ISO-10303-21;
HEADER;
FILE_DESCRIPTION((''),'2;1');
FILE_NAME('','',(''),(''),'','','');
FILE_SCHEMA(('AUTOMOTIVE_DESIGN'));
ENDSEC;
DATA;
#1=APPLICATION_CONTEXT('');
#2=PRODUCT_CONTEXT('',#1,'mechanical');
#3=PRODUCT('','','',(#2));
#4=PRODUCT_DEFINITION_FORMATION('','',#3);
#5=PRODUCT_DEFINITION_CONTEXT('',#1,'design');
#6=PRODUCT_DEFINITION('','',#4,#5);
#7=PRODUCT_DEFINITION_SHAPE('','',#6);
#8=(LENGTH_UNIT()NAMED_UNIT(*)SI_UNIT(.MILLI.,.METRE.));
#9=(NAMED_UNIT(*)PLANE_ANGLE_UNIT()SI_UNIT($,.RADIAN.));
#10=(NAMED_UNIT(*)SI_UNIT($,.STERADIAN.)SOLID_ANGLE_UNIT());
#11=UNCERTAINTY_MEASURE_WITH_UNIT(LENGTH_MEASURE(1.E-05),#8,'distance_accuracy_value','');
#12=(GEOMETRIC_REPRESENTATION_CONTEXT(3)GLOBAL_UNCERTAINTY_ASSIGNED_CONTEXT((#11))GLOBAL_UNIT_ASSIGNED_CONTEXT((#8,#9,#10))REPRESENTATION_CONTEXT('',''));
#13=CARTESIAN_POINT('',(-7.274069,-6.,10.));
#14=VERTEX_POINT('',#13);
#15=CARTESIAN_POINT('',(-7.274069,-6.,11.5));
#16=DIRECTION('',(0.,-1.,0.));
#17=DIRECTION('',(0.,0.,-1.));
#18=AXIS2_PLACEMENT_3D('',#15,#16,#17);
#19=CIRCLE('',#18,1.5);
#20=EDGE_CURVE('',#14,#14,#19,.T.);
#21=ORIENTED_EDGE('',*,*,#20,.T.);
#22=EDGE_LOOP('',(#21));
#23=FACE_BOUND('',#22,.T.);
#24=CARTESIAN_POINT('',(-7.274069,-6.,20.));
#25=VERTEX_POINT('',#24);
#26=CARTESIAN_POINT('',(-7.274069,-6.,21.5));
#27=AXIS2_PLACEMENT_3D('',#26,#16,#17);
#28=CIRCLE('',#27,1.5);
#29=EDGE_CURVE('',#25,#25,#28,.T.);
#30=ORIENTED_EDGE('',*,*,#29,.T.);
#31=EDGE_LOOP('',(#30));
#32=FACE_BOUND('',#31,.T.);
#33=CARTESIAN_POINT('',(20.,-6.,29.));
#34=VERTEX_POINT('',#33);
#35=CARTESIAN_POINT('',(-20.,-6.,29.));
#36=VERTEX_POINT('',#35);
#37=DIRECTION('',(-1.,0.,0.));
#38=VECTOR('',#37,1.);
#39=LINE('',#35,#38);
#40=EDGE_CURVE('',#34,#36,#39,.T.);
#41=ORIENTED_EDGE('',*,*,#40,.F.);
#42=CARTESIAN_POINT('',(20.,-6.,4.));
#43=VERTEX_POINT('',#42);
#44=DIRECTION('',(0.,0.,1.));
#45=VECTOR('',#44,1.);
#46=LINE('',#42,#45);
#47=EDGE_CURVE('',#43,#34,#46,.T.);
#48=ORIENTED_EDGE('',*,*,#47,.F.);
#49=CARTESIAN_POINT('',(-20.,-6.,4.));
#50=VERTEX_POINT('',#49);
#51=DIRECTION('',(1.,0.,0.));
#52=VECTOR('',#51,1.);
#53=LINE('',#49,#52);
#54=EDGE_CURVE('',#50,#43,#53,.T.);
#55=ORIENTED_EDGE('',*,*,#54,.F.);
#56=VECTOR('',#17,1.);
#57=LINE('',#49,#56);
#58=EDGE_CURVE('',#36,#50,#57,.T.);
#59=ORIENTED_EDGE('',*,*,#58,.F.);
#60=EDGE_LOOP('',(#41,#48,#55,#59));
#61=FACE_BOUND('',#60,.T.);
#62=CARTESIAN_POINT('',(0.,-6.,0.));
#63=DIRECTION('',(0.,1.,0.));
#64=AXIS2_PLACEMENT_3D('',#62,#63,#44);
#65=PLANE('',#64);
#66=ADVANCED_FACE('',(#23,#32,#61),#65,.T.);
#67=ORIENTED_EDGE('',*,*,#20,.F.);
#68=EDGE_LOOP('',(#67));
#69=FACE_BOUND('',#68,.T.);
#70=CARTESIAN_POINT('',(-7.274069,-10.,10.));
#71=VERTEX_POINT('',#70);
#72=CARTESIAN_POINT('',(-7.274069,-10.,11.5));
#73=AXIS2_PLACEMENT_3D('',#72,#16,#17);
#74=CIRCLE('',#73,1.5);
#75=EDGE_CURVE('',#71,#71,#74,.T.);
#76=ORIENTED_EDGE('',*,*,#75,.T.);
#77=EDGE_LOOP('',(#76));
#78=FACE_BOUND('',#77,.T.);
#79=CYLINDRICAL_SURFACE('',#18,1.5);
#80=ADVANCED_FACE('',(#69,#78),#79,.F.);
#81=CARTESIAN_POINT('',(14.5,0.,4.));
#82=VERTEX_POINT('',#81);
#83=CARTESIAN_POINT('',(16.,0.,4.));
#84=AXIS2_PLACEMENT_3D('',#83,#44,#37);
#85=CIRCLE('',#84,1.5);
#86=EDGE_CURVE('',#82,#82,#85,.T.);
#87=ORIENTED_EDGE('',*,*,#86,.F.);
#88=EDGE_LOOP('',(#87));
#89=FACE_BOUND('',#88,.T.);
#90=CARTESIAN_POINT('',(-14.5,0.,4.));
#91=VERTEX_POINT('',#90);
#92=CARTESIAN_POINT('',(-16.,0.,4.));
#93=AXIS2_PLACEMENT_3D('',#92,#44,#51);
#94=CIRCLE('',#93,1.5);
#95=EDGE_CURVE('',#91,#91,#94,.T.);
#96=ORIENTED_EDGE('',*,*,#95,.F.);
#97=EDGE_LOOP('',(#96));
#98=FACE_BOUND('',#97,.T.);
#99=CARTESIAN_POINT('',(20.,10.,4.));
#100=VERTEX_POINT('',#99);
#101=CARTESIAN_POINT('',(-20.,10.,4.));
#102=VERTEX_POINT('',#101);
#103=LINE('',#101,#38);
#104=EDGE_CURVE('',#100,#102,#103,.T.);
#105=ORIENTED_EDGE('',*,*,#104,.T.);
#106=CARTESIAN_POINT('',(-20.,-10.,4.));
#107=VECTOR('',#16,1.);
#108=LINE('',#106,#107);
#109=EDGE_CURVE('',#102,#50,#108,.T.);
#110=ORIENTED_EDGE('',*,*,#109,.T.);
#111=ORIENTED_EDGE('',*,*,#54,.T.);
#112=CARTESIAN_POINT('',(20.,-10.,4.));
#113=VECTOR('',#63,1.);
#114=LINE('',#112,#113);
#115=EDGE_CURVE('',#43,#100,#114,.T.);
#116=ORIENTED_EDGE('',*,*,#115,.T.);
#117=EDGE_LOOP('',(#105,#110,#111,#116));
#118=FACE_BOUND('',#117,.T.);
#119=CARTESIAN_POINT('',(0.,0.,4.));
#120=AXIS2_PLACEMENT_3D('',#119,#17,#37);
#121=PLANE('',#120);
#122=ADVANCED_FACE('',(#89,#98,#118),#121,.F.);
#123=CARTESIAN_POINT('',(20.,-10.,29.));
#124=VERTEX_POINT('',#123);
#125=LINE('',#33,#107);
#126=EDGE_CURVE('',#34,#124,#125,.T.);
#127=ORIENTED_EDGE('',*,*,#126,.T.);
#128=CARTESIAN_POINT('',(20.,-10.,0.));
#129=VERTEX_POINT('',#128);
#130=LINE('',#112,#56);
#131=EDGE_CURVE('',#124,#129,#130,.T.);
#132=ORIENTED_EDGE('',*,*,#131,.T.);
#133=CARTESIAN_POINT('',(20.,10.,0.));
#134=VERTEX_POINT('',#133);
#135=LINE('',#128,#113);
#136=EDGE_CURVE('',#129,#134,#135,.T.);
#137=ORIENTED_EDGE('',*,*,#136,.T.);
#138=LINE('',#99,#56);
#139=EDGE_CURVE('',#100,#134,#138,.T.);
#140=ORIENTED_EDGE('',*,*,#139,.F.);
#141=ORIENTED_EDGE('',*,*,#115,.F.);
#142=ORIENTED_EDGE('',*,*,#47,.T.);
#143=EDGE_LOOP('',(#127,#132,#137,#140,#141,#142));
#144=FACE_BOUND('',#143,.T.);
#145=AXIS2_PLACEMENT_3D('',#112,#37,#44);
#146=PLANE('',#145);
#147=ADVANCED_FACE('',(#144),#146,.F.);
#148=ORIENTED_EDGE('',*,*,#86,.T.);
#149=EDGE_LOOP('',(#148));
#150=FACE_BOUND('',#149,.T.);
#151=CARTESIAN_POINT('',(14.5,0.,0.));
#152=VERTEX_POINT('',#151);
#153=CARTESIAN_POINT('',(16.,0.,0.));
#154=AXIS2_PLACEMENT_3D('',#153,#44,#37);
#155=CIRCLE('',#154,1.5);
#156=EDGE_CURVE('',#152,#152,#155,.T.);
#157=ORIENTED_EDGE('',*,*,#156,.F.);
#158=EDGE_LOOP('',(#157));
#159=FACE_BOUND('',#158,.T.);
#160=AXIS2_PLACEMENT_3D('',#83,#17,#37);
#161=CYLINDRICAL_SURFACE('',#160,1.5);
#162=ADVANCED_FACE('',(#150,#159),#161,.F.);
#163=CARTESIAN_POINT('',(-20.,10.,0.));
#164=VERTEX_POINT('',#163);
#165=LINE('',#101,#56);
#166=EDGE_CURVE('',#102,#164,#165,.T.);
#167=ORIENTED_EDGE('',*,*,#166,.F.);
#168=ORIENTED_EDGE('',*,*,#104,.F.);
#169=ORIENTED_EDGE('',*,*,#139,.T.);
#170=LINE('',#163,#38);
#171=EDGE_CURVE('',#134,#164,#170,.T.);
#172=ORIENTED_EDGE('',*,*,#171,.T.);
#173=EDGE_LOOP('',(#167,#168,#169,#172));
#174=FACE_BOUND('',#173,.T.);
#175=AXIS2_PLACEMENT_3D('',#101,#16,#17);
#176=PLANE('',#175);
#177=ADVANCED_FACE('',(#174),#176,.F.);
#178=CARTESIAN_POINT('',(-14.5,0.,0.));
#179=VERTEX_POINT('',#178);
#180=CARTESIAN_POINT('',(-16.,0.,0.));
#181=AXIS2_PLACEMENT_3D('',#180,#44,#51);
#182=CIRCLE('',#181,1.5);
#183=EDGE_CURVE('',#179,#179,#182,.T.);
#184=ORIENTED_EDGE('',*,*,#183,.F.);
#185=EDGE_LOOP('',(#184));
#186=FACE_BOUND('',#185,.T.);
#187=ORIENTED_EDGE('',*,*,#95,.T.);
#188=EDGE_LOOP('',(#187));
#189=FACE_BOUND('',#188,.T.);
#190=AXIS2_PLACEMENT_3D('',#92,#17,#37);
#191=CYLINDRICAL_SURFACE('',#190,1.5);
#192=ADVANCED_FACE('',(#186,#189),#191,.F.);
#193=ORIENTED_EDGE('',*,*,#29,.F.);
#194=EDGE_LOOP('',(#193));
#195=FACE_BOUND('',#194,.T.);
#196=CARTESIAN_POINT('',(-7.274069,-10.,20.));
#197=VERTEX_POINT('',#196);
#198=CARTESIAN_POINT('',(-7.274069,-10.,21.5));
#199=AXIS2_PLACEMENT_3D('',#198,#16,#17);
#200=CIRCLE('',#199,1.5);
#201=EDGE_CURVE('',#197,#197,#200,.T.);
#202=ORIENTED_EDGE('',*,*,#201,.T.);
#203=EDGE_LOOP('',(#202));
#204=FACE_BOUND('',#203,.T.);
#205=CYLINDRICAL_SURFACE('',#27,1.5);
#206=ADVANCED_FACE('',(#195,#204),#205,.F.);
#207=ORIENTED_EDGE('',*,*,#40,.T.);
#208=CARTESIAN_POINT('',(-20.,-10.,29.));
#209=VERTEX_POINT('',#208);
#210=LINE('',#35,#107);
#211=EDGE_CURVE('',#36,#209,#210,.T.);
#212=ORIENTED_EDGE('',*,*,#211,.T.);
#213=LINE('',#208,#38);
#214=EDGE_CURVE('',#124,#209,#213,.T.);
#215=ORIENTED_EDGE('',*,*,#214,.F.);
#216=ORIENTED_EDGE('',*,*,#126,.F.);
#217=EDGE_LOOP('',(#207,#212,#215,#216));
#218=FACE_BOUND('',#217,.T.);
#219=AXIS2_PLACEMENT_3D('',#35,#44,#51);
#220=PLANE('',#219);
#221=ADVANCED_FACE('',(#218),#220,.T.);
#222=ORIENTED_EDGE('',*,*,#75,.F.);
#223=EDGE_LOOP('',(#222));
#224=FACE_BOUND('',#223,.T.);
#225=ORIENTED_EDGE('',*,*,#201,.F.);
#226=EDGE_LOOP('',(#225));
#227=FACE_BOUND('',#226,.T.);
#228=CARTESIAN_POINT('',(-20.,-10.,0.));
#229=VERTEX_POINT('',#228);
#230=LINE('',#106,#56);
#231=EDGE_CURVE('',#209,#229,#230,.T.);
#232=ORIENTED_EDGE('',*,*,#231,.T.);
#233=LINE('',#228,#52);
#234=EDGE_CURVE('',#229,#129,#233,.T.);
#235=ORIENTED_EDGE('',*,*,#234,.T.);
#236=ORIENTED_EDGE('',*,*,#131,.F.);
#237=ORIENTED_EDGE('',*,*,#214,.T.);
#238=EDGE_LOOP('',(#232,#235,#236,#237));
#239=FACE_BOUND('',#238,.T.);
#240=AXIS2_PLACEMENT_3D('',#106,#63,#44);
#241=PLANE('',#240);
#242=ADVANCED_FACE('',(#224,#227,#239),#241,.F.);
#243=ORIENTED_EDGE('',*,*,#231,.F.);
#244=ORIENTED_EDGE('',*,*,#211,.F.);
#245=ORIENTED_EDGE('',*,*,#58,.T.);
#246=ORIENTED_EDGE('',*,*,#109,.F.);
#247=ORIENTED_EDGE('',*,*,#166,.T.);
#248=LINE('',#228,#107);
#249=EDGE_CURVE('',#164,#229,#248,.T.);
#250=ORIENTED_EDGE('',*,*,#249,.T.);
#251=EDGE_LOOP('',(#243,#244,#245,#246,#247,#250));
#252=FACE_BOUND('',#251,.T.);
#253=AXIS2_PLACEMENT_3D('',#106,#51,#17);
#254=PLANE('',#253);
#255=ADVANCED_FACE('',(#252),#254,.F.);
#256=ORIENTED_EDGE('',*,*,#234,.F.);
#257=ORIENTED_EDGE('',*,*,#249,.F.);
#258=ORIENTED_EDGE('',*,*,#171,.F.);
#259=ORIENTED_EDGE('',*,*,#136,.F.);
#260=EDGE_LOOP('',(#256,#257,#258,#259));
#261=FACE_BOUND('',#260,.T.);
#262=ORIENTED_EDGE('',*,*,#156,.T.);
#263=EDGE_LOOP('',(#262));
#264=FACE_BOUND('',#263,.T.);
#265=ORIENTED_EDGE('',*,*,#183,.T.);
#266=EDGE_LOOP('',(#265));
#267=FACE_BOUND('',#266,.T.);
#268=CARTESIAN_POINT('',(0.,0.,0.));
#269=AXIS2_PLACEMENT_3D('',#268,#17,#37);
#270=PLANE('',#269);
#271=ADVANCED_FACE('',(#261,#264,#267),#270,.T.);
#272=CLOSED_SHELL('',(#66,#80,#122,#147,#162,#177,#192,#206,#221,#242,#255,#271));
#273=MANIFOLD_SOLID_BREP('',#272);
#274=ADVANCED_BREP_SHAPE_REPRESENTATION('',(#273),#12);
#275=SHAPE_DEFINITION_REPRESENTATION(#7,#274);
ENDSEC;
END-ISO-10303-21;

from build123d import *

# Parameters (mm, degrees)
SKETCH_1_W      = 40
SKETCH_1_H      = 20
SKETCH_1_R      = 1.5
EXTRUDE_1_DEPTH = 4
SKETCH_2_W      = 40
SKETCH_2_H      = 25
SKETCH_2_R      = 1.5
EXTRUDE_2_DEPTH = 4


with BuildPart() as part:
    # Эскиз1 → Бобышка-Вытянуть1 (new body)
    with BuildSketch(Plane.XY):
        Rectangle(SKETCH_1_W, SKETCH_1_H)
        with Locations((-16, 0)):
            Circle(SKETCH_1_R, mode=Mode.SUBTRACT)
        with Locations(Location((16, 0, 0), (0, 0, 180))):
            Circle(SKETCH_1_R, mode=Mode.SUBTRACT)
    extrude(amount=EXTRUDE_1_DEPTH)

    # Эскиз2 → Бобышка-Вытянуть2 (add)
    with BuildSketch(Plane.XZ.offset(10)):
        with Locations((0, 16.5)):
            Rectangle(SKETCH_2_W, SKETCH_2_H)
        with Locations(Location((-7.27406928, 21.5, 0), (0, 0, 270))):
            Circle(SKETCH_2_R, mode=Mode.SUBTRACT)
        with Locations(Location((-7.27406928, 11.5, 0), (0, 0, 270))):
            Circle(SKETCH_2_R, mode=Mode.SUBTRACT)
    extrude(amount=-EXTRUDE_2_DEPTH)


solid = part.part
